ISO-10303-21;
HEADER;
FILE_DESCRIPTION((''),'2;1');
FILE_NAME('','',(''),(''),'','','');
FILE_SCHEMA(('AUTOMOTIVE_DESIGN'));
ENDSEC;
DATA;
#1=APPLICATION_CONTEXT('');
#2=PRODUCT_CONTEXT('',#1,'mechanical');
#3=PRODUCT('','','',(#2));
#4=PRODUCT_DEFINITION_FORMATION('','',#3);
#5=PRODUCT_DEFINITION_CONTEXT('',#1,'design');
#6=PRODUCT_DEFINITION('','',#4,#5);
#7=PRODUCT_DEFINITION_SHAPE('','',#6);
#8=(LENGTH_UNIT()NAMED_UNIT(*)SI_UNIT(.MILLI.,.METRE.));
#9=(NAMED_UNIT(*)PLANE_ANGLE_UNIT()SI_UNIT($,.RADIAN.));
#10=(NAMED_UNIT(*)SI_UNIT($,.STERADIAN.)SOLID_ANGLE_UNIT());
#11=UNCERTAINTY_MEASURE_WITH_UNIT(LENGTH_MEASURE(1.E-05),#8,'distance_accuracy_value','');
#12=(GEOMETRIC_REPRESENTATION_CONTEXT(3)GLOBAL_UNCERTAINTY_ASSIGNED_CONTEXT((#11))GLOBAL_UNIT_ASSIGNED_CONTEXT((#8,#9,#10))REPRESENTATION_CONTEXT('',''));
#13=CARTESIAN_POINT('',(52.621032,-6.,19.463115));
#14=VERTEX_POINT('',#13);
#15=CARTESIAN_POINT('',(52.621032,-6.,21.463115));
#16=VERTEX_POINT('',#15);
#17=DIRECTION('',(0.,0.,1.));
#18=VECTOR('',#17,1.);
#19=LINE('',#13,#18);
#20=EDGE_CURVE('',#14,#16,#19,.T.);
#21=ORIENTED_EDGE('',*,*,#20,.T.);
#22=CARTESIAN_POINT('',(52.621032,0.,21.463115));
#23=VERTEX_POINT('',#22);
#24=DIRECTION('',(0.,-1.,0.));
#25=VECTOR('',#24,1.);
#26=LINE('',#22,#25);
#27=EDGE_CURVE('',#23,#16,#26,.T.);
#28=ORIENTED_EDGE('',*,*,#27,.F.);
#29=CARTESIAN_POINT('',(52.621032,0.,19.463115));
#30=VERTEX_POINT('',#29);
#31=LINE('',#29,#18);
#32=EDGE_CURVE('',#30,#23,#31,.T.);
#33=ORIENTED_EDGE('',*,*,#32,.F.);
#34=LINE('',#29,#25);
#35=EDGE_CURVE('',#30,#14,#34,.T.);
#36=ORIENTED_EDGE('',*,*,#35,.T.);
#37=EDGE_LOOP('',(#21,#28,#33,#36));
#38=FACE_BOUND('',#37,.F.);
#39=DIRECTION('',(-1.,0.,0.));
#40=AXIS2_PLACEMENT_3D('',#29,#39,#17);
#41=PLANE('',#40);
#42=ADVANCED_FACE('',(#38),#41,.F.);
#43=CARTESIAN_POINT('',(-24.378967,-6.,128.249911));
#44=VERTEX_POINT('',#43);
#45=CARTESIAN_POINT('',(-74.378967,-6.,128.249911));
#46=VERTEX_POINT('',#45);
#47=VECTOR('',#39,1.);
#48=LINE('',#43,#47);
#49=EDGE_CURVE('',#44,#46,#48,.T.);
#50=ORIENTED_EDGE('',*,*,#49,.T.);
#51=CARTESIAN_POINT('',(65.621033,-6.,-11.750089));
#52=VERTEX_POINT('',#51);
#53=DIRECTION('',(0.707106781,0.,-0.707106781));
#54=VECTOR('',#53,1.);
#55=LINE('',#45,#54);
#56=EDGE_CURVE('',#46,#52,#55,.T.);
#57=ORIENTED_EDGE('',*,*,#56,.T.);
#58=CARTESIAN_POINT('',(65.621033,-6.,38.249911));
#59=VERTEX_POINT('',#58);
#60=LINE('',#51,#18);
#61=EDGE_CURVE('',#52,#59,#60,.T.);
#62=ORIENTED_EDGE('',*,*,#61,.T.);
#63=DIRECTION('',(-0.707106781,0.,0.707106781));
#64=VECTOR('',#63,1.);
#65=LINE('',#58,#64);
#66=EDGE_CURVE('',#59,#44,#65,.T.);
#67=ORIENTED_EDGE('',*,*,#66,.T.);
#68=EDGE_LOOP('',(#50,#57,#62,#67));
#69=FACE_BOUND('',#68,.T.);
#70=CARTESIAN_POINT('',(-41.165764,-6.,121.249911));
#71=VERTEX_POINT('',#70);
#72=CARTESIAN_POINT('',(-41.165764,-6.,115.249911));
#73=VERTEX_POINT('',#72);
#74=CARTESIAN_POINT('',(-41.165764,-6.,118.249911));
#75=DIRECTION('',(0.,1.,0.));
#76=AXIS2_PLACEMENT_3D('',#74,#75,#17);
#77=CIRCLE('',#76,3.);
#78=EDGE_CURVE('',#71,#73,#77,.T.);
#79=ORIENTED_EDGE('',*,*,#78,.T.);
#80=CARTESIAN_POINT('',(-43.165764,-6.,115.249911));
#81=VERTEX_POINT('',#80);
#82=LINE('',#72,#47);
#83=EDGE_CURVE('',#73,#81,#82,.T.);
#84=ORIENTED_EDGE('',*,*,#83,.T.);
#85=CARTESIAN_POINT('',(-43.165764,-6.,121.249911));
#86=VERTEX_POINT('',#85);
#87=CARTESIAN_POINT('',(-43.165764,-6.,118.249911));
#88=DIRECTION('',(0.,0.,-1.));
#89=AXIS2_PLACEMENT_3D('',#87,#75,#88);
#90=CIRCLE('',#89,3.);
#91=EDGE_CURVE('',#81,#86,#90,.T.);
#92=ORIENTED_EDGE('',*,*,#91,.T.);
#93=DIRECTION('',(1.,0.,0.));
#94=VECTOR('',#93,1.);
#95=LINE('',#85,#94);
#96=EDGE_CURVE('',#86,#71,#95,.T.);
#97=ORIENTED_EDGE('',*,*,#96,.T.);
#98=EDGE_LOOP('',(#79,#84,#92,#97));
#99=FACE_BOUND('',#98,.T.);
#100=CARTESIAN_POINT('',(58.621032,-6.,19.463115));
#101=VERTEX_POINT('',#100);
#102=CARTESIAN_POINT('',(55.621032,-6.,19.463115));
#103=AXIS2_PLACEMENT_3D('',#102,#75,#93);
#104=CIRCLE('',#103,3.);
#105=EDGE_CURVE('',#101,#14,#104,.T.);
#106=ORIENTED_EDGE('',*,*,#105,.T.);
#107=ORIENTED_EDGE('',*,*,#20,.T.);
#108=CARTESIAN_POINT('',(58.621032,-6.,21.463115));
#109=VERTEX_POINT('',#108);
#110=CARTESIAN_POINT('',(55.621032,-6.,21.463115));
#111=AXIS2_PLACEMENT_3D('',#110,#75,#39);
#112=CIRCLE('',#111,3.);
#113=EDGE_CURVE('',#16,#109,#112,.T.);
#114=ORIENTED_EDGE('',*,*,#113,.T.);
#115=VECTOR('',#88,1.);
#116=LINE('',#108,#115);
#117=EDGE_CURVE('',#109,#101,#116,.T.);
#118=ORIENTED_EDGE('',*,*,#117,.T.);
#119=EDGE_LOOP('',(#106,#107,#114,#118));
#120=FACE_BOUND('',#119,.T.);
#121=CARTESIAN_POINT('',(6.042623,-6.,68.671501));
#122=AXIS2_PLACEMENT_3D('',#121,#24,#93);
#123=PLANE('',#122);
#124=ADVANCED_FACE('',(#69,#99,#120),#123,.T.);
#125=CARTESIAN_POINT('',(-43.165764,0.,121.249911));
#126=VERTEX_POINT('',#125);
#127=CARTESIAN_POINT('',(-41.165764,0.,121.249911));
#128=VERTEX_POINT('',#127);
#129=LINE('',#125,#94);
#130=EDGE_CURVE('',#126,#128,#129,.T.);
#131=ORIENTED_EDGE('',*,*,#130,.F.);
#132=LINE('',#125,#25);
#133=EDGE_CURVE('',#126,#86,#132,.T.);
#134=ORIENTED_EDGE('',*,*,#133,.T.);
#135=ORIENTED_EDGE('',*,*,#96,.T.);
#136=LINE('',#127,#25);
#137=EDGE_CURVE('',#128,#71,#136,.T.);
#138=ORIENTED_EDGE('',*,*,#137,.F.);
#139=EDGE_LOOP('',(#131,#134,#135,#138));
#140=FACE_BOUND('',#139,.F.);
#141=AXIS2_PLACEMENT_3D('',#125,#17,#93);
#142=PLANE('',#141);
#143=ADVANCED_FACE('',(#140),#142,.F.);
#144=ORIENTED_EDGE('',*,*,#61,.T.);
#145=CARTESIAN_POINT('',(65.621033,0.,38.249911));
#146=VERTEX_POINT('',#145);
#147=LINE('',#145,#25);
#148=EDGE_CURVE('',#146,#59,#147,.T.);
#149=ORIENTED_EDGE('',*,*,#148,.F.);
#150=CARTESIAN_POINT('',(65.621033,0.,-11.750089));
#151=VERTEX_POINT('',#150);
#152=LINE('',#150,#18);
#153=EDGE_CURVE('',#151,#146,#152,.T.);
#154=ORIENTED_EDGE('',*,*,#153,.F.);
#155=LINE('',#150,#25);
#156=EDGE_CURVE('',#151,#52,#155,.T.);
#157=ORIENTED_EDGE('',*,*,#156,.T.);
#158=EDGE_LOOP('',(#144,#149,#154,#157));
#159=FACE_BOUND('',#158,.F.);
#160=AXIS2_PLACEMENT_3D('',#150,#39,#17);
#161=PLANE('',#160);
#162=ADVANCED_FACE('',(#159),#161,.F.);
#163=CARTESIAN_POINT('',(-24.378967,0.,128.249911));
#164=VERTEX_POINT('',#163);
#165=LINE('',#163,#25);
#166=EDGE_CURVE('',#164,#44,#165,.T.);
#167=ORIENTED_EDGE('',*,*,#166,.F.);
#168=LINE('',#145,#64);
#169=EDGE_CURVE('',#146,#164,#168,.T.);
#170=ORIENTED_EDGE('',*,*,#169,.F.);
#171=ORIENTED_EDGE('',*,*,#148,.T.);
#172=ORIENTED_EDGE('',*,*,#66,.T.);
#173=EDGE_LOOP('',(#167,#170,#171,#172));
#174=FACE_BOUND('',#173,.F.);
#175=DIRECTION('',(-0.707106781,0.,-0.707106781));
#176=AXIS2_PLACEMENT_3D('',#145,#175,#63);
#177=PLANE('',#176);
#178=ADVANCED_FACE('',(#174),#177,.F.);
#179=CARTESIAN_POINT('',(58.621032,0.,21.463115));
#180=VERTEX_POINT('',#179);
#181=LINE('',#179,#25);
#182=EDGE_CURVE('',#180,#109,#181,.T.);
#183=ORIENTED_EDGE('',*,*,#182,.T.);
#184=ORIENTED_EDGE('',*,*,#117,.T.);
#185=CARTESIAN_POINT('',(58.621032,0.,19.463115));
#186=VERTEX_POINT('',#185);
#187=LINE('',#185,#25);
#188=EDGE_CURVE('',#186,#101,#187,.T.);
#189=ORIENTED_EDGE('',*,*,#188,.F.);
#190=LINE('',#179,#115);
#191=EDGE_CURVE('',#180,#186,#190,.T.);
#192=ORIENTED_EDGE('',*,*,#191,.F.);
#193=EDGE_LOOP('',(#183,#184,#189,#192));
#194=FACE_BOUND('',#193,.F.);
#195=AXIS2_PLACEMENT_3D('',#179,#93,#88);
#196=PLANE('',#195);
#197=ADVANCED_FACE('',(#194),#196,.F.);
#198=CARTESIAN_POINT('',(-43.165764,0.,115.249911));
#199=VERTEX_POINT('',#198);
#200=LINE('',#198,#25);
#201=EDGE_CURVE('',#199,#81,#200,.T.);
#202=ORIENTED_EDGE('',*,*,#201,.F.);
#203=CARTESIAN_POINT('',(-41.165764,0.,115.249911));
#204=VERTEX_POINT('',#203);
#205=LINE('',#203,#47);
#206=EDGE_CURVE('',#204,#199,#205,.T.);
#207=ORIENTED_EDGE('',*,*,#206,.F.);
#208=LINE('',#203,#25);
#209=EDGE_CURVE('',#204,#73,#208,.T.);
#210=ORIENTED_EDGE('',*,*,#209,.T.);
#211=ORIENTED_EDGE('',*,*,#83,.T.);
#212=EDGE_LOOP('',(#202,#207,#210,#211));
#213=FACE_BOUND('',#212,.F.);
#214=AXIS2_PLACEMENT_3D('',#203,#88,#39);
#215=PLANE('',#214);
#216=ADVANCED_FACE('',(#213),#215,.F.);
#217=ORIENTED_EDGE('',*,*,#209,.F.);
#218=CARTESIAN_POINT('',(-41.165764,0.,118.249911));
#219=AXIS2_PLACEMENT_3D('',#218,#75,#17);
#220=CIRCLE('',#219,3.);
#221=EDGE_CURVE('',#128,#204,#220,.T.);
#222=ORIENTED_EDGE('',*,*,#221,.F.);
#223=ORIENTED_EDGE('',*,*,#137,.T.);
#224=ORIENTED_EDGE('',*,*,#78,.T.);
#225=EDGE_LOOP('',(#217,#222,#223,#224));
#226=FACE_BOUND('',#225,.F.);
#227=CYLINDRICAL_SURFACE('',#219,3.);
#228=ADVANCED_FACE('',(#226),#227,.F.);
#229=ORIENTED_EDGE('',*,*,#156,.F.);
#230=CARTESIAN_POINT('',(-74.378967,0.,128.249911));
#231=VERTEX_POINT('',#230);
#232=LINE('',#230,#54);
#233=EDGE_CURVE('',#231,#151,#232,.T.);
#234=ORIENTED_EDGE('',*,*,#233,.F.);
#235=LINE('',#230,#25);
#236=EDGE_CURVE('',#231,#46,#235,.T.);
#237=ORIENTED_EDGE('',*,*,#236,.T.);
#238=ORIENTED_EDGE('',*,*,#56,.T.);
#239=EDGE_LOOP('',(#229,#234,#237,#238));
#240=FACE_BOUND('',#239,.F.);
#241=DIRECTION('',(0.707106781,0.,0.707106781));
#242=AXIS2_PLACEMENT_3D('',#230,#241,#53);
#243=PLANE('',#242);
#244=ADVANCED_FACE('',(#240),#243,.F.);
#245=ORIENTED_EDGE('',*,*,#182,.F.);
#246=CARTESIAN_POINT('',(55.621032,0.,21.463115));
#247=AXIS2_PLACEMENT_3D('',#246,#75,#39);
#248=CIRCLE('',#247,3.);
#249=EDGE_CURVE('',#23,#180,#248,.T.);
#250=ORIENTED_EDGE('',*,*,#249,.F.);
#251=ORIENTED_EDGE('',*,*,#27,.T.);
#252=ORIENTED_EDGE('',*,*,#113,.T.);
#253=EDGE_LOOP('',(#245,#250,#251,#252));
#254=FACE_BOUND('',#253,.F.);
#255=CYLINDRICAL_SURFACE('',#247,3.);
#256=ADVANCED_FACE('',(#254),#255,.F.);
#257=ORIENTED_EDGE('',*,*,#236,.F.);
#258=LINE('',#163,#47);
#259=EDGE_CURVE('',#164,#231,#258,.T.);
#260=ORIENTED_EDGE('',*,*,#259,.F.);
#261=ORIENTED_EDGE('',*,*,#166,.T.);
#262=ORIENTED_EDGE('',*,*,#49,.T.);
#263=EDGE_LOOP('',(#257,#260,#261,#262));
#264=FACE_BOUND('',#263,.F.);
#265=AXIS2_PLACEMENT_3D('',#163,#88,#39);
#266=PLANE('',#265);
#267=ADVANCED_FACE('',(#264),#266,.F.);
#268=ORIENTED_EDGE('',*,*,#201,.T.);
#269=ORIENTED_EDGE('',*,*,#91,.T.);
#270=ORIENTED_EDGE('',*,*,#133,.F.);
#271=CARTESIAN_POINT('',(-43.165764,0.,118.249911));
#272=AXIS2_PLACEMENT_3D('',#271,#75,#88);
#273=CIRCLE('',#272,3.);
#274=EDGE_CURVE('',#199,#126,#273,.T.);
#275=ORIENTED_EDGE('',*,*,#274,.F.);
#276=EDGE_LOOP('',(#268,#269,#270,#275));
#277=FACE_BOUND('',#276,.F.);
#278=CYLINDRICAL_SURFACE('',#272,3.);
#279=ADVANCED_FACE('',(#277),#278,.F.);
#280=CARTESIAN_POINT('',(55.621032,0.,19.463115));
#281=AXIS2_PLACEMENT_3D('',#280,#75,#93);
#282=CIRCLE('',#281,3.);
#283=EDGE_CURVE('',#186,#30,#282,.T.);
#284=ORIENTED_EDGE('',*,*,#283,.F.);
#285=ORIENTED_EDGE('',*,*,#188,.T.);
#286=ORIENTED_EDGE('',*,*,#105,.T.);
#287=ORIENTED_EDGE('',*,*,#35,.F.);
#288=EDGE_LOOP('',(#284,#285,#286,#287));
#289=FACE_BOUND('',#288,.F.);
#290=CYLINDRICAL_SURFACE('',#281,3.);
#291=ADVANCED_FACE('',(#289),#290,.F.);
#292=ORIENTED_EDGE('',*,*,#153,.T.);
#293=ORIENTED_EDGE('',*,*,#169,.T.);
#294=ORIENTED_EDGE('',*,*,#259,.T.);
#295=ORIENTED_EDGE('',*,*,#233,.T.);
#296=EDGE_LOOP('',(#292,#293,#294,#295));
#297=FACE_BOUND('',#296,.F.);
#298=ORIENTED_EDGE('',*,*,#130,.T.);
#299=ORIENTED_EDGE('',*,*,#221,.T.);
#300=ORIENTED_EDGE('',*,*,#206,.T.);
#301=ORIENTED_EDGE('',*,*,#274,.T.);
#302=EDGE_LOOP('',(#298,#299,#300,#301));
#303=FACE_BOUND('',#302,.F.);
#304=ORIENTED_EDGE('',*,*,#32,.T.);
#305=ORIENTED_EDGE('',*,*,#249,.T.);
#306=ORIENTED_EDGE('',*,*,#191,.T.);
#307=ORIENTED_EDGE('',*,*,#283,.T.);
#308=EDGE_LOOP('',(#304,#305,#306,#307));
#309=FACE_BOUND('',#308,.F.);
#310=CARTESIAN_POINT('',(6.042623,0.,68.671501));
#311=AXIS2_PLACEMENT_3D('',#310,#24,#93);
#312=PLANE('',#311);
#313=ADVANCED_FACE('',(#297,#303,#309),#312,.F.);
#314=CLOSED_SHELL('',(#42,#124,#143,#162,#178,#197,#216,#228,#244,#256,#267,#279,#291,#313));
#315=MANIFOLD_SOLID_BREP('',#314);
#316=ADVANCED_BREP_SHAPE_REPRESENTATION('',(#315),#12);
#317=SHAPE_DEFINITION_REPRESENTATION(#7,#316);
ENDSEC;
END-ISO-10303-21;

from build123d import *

# Parameters (mm, degrees)
F1_DEPTH = 6


with BuildPart() as f1:
    # F0 (on Front) → F1 (new body)
    with BuildSketch(Plane.XZ):
        Polygon((65.621033, -11.750089), (65.621033, 38.249911), (-24.378967, 128.249911), (-74.378967, 128.249911), align=None)
        with BuildLine():
            ThreePointArc((52.621032, 21.463115), (55.621032, 24.463115), (58.621032, 21.463115))
            Line((58.621032, 21.463115), (58.621032, 19.463115))
            ThreePointArc((58.621032, 19.463115), (55.621032, 16.463115), (52.621032, 19.463115))
            Line((52.621032, 19.463115), (52.621032, 21.463115))
        make_face(mode=Mode.SUBTRACT)
        with BuildLine():
            Line((-41.165764, 115.249911), (-43.165764, 115.249911))
            ThreePointArc((-43.165764, 115.249911), (-46.165764, 118.249911), (-43.165764, 121.249911))
            Line((-43.165764, 121.249911), (-41.165764, 121.249911))
            ThreePointArc((-41.165764, 121.249911), (-38.165764, 118.249911), (-41.165764, 115.249911))
        make_face(mode=Mode.SUBTRACT)
    extrude(amount=F1_DEPTH)


solid = f1.part
